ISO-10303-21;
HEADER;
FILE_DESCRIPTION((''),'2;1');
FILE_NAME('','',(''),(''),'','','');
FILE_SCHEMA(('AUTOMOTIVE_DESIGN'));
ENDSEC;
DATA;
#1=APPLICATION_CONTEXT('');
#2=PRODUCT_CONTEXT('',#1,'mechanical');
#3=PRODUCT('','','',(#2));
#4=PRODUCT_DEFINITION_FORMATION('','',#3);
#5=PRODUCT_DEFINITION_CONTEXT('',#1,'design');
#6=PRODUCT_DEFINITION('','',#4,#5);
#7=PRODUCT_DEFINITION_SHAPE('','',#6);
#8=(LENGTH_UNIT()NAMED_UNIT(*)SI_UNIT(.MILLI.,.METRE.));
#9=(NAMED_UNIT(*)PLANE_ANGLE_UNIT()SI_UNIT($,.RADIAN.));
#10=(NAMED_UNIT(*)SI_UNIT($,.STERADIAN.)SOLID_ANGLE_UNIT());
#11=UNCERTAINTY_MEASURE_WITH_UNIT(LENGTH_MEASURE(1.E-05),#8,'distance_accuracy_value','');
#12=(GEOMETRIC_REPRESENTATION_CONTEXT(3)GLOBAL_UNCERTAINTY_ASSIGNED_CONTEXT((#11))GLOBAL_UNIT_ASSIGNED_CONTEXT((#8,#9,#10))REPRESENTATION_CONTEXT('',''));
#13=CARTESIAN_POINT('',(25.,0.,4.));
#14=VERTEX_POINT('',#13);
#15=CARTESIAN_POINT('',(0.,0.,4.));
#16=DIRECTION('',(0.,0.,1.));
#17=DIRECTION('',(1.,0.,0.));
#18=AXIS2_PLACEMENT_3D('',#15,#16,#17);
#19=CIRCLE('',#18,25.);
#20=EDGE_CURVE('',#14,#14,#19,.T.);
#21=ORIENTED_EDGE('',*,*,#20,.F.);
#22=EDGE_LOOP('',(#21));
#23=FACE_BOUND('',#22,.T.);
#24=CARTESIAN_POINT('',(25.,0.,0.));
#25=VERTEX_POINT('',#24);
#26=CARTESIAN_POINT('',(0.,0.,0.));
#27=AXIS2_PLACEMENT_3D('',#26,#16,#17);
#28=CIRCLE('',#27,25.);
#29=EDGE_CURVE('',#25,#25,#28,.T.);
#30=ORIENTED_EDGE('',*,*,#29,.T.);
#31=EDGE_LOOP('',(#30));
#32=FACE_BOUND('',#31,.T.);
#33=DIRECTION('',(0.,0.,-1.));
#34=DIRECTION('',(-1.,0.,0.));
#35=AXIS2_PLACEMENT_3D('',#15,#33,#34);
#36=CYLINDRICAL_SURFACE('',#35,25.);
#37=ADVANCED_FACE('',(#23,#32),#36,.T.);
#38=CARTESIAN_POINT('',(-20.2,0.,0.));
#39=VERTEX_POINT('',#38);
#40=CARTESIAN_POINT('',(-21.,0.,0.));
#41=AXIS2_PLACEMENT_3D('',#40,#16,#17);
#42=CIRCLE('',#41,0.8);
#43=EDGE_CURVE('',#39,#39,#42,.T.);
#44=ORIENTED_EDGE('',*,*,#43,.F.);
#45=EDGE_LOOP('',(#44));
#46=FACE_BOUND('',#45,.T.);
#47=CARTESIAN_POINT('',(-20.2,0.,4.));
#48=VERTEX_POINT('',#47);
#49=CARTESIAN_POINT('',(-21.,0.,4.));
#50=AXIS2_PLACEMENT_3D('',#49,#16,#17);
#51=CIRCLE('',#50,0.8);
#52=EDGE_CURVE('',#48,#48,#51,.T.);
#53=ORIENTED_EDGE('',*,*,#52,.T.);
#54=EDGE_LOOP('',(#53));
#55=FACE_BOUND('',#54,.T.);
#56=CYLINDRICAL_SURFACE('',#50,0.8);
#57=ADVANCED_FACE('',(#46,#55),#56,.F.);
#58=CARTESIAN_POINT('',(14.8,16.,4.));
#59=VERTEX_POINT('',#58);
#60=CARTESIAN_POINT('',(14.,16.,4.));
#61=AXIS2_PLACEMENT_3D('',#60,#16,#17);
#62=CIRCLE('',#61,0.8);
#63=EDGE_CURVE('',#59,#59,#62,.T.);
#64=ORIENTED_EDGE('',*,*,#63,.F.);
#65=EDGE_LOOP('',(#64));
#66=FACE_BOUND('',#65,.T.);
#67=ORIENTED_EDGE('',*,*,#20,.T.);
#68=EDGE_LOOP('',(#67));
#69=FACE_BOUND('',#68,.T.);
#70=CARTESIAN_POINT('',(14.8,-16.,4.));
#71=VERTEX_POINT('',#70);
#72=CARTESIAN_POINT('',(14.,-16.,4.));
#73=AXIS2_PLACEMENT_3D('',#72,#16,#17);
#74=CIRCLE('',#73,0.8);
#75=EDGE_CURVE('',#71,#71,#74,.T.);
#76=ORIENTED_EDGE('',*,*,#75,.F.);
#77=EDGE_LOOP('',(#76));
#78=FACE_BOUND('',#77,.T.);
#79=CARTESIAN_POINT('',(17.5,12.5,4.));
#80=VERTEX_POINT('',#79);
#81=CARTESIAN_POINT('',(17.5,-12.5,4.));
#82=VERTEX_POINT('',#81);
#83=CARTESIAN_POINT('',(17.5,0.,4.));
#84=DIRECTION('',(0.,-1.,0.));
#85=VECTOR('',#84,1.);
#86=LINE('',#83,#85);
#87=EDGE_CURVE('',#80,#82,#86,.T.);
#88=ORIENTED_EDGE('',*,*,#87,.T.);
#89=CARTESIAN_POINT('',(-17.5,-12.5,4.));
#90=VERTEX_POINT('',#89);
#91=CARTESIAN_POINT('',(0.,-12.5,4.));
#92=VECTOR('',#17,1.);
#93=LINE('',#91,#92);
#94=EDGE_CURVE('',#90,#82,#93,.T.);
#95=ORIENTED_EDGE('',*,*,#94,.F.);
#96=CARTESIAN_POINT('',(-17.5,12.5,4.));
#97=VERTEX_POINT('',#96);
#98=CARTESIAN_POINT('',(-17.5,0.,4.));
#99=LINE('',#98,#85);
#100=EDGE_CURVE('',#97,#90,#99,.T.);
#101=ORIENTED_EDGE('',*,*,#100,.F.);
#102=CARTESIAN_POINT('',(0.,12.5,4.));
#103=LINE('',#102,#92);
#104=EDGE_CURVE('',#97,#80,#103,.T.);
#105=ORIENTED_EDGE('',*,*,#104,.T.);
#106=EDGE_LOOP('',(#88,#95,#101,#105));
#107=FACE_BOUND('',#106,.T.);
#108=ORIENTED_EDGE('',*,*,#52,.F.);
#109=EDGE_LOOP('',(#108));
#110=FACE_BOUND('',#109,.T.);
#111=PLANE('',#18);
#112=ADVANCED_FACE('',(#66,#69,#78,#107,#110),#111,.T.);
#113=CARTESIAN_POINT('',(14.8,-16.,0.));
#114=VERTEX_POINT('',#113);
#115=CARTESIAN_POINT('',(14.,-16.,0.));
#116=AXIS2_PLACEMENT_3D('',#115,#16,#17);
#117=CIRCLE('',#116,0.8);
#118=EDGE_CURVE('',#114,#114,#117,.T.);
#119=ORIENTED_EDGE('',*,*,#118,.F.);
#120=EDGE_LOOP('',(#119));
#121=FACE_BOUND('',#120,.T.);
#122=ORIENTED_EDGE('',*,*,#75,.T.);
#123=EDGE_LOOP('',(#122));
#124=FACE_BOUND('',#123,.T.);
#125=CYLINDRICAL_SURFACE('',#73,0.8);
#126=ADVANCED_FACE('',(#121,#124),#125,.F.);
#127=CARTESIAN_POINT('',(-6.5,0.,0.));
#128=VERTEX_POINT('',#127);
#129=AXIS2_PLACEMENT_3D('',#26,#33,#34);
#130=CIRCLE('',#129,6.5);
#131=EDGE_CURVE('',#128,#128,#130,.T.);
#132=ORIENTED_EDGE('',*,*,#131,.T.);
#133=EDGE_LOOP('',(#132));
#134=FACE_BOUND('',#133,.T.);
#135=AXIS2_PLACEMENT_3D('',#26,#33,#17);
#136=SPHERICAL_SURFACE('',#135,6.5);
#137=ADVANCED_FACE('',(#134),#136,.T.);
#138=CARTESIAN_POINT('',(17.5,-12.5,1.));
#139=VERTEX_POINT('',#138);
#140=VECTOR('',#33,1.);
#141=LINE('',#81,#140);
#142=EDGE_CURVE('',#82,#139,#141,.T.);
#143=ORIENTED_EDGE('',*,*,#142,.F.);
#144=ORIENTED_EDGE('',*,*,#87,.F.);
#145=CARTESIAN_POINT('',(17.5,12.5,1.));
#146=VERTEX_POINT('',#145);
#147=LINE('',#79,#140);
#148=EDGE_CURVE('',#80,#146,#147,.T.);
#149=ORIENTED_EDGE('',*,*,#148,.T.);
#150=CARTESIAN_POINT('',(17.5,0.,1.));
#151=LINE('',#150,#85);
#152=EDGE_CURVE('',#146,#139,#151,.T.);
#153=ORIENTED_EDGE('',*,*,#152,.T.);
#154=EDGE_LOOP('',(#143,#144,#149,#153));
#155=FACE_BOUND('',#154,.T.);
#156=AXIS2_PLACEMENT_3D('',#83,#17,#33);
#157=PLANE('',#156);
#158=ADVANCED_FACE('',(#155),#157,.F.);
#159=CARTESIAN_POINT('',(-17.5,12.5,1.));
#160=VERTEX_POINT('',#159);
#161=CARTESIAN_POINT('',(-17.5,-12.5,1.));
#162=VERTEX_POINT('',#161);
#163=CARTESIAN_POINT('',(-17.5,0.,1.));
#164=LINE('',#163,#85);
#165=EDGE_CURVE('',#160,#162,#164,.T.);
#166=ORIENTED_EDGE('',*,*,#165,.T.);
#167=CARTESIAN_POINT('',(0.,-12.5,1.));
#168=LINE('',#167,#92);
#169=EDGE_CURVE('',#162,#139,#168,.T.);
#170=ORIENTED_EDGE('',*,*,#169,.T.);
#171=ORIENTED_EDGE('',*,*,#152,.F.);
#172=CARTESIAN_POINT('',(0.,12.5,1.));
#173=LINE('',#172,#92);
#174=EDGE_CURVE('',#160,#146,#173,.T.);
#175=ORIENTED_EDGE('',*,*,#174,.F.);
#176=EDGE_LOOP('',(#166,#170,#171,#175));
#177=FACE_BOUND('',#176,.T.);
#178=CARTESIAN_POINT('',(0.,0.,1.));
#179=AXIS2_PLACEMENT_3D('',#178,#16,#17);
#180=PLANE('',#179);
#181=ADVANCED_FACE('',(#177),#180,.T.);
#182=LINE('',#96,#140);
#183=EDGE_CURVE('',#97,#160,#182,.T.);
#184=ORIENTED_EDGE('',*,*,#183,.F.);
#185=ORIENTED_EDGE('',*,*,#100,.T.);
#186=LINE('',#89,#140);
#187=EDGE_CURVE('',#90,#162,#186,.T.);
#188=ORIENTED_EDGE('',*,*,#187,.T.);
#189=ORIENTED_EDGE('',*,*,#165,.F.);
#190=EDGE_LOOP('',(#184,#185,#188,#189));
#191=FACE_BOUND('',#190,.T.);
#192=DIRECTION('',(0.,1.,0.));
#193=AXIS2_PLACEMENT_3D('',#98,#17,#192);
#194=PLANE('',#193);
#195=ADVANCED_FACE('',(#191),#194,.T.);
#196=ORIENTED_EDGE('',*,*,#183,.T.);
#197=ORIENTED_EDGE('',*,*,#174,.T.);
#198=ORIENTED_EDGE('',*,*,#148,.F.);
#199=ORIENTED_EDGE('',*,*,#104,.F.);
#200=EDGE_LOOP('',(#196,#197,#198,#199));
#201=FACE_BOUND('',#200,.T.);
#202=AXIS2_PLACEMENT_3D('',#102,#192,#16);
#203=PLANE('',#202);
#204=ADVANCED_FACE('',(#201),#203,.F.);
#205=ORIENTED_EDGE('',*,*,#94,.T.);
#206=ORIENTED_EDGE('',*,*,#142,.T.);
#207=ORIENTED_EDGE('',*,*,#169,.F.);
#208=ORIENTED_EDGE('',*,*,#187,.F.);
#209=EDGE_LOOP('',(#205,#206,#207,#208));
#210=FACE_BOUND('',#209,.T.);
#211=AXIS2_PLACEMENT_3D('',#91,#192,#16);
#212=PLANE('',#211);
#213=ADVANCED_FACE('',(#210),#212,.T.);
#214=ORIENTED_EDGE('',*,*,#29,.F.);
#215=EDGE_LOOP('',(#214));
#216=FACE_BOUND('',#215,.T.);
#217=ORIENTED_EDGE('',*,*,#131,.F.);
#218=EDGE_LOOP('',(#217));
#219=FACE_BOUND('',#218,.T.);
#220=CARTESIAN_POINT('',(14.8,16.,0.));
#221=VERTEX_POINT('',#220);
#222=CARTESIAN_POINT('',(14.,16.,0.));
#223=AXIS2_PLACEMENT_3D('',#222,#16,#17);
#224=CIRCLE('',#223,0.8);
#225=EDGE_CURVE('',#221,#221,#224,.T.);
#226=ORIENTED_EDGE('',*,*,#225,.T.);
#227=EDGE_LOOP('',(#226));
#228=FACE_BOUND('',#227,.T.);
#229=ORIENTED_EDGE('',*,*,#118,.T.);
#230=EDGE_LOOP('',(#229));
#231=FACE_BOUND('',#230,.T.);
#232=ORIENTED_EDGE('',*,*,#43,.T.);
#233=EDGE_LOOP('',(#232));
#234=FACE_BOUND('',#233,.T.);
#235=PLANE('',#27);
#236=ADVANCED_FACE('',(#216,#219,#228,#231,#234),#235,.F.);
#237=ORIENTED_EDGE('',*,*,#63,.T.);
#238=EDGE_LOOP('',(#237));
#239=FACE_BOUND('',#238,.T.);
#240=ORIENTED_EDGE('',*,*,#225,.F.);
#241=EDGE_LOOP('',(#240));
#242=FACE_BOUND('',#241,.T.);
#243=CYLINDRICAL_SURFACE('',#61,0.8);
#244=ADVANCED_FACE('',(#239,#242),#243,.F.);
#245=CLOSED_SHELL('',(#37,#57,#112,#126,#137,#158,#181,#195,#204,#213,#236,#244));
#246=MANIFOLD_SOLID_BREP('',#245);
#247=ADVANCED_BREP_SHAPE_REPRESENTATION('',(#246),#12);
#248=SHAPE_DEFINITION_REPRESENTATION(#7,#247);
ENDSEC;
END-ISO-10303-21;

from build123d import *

# Parameters (mm, degrees)
SKETCH1_R             = 25
SKETCH1_W             = 35
SKETCH1_H             = 25
BOSS_EXTRUDE1_DEPTH   = 4
SKETCH1_3_W           = 35
SKETCH1_3_H           = 25
BOSS_EXTRUDE2_DEPTH   = 1
M2X0_4_TAPPED_HOLE1_D = 1.6


with BuildPart() as part:
    # Sketch1 → Boss-Extrude1 (new body)
    with BuildSketch(Plane.XY):
        Circle(SKETCH1_R)
        Rectangle(SKETCH1_W, SKETCH1_H, mode=Mode.SUBTRACT)
    extrude(amount=BOSS_EXTRUDE1_DEPTH)

    # Sketch1<3> → Boss-Extrude2 (add)
    with BuildSketch(Plane.XY):
        Rectangle(SKETCH1_3_W, SKETCH1_3_H)
    extrude(amount=BOSS_EXTRUDE2_DEPTH)

    # Sketch2 → Revolve1 (revolve)
    with BuildSketch(Plane(origin=(0, 0, 0), x_dir=(1, 0, 0), z_dir=(0, 1, 0))):
        with BuildLine():
            Line((0, 6.5), (0, 0))
            Line((0, 0), (-6.5, 0))
            ThreePointArc((-6.5, 0), (-4.596194078, 4.596194078), (0, 6.5))
        make_face()
    revolve(axis=Axis((0, 0, -15), (0, 0, 1)))

    # M2x0.4 Tapped Hole1 (through all)
    with Locations(Plane.XY.offset(4)):
        with Locations((-21, 0), (14, -16), (14, 16)):
            Hole(M2X0_4_TAPPED_HOLE1_D / 2)


solid = part.part
